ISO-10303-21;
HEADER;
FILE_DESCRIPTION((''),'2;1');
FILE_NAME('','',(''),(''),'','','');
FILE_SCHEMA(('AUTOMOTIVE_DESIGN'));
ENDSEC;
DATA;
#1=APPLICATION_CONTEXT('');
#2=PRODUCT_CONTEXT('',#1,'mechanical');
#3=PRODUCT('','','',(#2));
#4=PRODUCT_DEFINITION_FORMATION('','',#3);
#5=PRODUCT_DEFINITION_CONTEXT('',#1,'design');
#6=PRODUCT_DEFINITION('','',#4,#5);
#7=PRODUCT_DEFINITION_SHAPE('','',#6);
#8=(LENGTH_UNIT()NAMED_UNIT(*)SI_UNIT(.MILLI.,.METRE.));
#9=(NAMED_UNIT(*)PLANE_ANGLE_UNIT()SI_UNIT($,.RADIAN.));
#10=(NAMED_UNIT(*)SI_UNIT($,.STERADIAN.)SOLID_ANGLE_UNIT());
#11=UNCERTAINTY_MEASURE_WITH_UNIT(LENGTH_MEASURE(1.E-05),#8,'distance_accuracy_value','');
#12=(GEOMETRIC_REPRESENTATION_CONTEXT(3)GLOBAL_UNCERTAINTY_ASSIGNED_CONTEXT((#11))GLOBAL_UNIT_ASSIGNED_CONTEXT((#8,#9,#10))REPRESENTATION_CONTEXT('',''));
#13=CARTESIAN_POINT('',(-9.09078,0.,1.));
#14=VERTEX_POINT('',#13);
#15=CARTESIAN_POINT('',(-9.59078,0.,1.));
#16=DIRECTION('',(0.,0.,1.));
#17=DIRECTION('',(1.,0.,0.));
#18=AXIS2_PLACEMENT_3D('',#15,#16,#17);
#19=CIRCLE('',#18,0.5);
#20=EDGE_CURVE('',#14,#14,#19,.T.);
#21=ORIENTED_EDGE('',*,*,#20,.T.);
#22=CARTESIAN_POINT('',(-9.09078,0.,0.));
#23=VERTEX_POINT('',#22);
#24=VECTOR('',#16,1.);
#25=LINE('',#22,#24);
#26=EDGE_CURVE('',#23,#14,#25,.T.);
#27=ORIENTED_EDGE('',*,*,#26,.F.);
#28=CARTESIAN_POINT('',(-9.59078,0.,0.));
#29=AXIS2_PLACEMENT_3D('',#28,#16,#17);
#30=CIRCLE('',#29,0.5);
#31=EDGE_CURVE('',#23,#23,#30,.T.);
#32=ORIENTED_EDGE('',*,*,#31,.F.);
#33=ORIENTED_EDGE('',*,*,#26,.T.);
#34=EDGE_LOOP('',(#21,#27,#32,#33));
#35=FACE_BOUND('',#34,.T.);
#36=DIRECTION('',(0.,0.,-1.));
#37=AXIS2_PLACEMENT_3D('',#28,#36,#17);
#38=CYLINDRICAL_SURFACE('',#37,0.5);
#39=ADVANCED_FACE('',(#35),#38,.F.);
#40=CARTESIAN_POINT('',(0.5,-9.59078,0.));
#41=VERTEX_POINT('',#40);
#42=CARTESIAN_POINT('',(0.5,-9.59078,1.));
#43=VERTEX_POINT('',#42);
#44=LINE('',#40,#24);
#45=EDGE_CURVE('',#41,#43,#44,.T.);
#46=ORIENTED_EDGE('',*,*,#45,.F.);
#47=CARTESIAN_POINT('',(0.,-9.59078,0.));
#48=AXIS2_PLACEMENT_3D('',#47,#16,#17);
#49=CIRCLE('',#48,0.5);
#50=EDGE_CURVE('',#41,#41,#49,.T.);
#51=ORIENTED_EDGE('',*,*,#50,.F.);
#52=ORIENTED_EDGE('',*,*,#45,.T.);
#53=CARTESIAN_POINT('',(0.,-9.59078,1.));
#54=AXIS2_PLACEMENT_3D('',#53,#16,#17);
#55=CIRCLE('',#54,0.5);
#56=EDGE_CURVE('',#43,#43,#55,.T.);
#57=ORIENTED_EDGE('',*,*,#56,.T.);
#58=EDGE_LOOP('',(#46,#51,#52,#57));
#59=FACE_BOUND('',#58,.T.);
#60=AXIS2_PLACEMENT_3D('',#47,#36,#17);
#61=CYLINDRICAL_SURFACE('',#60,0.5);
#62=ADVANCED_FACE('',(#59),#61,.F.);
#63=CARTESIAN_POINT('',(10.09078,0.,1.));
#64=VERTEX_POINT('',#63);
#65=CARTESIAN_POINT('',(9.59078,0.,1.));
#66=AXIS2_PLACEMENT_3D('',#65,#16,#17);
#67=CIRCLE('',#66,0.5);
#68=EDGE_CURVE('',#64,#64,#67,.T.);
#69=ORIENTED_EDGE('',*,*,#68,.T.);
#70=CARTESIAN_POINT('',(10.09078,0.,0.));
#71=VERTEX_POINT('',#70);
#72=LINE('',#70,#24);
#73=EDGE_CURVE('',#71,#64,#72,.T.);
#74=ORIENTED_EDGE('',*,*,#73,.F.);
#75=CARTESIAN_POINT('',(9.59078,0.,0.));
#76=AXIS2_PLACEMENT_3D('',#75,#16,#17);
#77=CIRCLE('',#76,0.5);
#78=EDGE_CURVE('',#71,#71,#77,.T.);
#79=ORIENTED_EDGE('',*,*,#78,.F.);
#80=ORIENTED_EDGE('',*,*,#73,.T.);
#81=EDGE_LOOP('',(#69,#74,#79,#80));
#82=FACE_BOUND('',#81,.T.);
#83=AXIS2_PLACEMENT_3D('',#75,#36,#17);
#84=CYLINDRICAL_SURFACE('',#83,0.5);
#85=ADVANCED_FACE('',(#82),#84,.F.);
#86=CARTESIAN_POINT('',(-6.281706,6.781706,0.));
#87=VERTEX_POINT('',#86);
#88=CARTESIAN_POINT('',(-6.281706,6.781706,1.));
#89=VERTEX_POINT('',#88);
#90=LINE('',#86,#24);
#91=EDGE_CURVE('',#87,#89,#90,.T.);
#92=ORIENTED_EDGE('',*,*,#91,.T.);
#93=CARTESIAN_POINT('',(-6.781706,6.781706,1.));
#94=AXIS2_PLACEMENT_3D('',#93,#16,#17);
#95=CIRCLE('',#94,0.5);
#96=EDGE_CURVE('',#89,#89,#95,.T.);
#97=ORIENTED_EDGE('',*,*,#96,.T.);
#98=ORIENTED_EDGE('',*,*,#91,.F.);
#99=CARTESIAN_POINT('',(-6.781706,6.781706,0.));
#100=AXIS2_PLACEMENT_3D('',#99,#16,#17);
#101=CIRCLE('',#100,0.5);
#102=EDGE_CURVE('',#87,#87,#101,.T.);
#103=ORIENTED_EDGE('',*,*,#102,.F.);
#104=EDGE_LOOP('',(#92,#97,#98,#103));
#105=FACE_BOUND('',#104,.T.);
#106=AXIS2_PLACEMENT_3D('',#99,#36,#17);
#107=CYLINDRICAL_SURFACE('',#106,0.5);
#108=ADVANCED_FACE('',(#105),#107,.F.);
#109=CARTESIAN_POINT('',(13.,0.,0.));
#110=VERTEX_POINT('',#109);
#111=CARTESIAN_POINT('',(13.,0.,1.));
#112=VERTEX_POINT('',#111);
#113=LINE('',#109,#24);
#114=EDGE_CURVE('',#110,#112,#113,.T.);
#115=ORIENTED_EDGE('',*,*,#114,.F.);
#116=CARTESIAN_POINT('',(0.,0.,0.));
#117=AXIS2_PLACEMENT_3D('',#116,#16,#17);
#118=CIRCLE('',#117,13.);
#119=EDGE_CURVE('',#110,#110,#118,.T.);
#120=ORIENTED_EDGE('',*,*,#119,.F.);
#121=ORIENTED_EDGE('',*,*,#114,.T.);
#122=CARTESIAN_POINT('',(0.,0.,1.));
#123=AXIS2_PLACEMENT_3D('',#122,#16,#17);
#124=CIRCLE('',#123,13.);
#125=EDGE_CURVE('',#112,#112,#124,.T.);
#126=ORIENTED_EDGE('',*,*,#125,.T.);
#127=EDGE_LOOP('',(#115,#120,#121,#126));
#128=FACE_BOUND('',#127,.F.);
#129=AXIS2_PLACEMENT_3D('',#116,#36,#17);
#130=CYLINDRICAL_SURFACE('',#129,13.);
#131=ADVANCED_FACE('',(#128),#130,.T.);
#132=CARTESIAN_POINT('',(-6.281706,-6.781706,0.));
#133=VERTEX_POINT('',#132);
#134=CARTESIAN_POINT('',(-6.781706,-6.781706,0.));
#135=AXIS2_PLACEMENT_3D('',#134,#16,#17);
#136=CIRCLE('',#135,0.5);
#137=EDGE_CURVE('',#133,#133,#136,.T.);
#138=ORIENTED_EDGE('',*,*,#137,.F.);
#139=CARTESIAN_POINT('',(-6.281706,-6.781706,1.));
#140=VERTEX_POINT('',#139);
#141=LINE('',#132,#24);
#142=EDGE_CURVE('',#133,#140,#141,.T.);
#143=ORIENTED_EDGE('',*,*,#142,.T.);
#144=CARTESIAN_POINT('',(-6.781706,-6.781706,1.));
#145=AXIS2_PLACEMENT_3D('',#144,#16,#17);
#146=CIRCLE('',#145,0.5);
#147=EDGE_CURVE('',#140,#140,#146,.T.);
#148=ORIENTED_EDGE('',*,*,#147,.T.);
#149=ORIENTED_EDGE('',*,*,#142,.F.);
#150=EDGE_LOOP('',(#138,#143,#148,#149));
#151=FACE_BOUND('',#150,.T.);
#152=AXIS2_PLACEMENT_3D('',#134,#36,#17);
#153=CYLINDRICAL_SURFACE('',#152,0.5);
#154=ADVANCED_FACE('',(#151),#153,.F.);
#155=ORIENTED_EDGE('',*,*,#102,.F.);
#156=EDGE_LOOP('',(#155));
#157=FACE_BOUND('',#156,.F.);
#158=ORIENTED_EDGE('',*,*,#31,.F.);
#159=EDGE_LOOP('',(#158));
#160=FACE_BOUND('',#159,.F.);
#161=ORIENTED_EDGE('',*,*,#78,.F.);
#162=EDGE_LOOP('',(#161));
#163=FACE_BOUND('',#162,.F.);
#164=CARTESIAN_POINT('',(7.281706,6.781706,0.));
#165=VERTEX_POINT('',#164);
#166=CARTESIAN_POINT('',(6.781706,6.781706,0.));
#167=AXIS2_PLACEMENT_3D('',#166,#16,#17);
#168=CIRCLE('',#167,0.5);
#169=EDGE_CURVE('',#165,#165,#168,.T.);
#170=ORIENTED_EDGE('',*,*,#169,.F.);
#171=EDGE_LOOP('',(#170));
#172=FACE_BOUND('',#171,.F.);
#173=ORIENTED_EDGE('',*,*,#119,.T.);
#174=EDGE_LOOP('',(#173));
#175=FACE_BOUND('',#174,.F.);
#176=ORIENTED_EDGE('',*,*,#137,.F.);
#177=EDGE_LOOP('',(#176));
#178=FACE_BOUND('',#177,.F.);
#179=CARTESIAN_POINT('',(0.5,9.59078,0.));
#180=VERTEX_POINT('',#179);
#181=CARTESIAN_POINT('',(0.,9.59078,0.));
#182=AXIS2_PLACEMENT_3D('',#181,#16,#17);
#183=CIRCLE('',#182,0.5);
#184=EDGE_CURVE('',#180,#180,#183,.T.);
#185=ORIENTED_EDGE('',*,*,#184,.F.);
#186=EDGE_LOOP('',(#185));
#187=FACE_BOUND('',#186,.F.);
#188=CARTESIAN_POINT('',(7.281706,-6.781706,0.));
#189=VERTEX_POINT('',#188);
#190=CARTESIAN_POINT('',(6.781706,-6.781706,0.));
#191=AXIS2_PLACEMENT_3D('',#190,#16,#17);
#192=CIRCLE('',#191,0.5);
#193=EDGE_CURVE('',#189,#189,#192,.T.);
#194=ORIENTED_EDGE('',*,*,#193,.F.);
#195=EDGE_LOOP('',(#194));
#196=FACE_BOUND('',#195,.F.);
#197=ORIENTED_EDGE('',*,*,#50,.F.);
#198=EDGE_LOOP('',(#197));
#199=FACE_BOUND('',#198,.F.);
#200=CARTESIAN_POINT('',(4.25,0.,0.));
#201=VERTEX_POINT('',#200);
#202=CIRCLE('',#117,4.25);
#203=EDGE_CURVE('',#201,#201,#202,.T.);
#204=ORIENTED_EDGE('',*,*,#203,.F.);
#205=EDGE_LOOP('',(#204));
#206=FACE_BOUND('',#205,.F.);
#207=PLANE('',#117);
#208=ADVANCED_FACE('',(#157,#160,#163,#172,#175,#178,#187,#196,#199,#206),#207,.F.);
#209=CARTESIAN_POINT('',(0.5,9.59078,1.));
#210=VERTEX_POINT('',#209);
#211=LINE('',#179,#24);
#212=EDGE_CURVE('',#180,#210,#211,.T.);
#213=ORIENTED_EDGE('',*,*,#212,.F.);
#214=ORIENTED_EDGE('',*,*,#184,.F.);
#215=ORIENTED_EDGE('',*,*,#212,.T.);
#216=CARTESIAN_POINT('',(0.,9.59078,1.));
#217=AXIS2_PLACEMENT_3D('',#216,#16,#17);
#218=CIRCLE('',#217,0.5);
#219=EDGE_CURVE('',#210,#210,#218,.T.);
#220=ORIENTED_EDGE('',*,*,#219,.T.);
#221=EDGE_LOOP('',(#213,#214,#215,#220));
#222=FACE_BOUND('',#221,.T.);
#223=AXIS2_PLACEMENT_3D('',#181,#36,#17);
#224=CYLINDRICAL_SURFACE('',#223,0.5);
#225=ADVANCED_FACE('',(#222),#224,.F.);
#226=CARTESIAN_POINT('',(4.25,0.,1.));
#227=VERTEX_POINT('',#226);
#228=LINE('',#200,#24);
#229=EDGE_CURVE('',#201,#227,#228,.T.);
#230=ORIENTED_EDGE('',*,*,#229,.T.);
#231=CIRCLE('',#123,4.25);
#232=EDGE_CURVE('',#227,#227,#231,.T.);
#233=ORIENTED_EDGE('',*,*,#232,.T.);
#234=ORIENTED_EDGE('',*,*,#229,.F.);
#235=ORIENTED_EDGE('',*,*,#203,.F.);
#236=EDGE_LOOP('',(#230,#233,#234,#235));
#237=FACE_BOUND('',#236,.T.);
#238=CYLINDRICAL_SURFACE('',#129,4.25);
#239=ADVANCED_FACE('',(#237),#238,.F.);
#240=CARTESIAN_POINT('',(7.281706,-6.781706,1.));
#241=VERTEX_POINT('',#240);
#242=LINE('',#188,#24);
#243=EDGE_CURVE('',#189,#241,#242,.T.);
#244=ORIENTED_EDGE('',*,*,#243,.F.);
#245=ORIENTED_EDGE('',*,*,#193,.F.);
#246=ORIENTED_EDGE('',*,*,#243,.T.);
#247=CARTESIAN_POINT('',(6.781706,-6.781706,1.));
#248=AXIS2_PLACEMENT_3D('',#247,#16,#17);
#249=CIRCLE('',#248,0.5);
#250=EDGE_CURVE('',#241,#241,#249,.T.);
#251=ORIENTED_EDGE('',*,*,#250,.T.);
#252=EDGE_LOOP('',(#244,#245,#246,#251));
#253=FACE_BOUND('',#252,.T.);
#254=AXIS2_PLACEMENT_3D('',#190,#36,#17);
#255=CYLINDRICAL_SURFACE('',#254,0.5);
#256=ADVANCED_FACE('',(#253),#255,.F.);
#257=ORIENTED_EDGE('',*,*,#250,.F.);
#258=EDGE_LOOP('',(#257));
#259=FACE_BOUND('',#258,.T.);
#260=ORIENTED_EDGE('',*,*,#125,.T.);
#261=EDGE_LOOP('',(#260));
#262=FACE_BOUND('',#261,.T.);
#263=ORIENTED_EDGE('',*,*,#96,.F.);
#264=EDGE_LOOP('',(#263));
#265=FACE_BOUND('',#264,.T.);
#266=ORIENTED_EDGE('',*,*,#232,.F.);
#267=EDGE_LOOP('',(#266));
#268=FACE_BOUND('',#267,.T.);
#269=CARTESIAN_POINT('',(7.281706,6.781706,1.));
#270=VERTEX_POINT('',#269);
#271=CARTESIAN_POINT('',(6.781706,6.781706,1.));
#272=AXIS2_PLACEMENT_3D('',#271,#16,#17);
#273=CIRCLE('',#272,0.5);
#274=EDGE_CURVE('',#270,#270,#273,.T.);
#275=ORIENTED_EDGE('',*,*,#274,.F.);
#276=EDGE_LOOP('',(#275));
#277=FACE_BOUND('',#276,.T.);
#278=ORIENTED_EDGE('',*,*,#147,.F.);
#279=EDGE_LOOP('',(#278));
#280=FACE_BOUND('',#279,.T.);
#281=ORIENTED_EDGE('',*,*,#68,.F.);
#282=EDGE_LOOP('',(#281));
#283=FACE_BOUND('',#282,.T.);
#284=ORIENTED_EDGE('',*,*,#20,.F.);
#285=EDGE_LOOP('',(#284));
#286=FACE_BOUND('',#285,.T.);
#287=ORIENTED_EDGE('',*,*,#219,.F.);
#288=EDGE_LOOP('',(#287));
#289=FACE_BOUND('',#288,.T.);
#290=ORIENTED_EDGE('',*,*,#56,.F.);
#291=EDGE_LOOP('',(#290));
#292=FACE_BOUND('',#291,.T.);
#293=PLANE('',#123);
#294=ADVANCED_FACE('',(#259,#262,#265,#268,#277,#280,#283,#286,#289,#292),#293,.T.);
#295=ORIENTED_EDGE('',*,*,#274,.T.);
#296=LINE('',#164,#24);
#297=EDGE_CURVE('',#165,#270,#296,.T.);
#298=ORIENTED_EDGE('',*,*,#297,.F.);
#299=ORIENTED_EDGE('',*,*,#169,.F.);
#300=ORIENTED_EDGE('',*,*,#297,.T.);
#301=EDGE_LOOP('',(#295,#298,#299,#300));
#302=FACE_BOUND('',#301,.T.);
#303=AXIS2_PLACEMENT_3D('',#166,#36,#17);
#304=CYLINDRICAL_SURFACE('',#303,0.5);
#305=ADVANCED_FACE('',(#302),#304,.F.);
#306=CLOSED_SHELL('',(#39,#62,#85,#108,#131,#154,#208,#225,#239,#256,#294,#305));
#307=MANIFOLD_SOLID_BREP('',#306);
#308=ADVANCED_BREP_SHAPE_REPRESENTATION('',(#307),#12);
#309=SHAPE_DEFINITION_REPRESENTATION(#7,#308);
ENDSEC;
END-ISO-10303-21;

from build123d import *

# Parameters (mm, degrees)
F0_R     = 13
F0_R_2   = 0.5
F0_R_3   = 4.25
F1_DEPTH = 1


with BuildPart() as f1:
    # F0 (on Top) → F1 (new body)
    with BuildSketch(Plane.XY):
        Circle(F0_R)
        with Locations((-6.781706, -6.781706)):
            Circle(F0_R_2, mode=Mode.SUBTRACT)
        with Locations((0, -9.59078)):
            Circle(F0_R_2, mode=Mode.SUBTRACT)
        with Locations((6.781706, -6.781706)):
            Circle(F0_R_2, mode=Mode.SUBTRACT)
        with Locations((-9.59078, 0)):
            Circle(F0_R_2, mode=Mode.SUBTRACT)
        with Locations((-6.781706, 6.781706)):
            Circle(F0_R_2, mode=Mode.SUBTRACT)
        Circle(F0_R_3, mode=Mode.SUBTRACT)
        with Locations((9.59078, 0)):
            Circle(F0_R_2, mode=Mode.SUBTRACT)
        with Locations((0, 9.59078)):
            Circle(F0_R_2, mode=Mode.SUBTRACT)
        with Locations((6.781706, 6.781706)):
            Circle(F0_R_2, mode=Mode.SUBTRACT)
    extrude(amount=F1_DEPTH)


solid = f1.part
